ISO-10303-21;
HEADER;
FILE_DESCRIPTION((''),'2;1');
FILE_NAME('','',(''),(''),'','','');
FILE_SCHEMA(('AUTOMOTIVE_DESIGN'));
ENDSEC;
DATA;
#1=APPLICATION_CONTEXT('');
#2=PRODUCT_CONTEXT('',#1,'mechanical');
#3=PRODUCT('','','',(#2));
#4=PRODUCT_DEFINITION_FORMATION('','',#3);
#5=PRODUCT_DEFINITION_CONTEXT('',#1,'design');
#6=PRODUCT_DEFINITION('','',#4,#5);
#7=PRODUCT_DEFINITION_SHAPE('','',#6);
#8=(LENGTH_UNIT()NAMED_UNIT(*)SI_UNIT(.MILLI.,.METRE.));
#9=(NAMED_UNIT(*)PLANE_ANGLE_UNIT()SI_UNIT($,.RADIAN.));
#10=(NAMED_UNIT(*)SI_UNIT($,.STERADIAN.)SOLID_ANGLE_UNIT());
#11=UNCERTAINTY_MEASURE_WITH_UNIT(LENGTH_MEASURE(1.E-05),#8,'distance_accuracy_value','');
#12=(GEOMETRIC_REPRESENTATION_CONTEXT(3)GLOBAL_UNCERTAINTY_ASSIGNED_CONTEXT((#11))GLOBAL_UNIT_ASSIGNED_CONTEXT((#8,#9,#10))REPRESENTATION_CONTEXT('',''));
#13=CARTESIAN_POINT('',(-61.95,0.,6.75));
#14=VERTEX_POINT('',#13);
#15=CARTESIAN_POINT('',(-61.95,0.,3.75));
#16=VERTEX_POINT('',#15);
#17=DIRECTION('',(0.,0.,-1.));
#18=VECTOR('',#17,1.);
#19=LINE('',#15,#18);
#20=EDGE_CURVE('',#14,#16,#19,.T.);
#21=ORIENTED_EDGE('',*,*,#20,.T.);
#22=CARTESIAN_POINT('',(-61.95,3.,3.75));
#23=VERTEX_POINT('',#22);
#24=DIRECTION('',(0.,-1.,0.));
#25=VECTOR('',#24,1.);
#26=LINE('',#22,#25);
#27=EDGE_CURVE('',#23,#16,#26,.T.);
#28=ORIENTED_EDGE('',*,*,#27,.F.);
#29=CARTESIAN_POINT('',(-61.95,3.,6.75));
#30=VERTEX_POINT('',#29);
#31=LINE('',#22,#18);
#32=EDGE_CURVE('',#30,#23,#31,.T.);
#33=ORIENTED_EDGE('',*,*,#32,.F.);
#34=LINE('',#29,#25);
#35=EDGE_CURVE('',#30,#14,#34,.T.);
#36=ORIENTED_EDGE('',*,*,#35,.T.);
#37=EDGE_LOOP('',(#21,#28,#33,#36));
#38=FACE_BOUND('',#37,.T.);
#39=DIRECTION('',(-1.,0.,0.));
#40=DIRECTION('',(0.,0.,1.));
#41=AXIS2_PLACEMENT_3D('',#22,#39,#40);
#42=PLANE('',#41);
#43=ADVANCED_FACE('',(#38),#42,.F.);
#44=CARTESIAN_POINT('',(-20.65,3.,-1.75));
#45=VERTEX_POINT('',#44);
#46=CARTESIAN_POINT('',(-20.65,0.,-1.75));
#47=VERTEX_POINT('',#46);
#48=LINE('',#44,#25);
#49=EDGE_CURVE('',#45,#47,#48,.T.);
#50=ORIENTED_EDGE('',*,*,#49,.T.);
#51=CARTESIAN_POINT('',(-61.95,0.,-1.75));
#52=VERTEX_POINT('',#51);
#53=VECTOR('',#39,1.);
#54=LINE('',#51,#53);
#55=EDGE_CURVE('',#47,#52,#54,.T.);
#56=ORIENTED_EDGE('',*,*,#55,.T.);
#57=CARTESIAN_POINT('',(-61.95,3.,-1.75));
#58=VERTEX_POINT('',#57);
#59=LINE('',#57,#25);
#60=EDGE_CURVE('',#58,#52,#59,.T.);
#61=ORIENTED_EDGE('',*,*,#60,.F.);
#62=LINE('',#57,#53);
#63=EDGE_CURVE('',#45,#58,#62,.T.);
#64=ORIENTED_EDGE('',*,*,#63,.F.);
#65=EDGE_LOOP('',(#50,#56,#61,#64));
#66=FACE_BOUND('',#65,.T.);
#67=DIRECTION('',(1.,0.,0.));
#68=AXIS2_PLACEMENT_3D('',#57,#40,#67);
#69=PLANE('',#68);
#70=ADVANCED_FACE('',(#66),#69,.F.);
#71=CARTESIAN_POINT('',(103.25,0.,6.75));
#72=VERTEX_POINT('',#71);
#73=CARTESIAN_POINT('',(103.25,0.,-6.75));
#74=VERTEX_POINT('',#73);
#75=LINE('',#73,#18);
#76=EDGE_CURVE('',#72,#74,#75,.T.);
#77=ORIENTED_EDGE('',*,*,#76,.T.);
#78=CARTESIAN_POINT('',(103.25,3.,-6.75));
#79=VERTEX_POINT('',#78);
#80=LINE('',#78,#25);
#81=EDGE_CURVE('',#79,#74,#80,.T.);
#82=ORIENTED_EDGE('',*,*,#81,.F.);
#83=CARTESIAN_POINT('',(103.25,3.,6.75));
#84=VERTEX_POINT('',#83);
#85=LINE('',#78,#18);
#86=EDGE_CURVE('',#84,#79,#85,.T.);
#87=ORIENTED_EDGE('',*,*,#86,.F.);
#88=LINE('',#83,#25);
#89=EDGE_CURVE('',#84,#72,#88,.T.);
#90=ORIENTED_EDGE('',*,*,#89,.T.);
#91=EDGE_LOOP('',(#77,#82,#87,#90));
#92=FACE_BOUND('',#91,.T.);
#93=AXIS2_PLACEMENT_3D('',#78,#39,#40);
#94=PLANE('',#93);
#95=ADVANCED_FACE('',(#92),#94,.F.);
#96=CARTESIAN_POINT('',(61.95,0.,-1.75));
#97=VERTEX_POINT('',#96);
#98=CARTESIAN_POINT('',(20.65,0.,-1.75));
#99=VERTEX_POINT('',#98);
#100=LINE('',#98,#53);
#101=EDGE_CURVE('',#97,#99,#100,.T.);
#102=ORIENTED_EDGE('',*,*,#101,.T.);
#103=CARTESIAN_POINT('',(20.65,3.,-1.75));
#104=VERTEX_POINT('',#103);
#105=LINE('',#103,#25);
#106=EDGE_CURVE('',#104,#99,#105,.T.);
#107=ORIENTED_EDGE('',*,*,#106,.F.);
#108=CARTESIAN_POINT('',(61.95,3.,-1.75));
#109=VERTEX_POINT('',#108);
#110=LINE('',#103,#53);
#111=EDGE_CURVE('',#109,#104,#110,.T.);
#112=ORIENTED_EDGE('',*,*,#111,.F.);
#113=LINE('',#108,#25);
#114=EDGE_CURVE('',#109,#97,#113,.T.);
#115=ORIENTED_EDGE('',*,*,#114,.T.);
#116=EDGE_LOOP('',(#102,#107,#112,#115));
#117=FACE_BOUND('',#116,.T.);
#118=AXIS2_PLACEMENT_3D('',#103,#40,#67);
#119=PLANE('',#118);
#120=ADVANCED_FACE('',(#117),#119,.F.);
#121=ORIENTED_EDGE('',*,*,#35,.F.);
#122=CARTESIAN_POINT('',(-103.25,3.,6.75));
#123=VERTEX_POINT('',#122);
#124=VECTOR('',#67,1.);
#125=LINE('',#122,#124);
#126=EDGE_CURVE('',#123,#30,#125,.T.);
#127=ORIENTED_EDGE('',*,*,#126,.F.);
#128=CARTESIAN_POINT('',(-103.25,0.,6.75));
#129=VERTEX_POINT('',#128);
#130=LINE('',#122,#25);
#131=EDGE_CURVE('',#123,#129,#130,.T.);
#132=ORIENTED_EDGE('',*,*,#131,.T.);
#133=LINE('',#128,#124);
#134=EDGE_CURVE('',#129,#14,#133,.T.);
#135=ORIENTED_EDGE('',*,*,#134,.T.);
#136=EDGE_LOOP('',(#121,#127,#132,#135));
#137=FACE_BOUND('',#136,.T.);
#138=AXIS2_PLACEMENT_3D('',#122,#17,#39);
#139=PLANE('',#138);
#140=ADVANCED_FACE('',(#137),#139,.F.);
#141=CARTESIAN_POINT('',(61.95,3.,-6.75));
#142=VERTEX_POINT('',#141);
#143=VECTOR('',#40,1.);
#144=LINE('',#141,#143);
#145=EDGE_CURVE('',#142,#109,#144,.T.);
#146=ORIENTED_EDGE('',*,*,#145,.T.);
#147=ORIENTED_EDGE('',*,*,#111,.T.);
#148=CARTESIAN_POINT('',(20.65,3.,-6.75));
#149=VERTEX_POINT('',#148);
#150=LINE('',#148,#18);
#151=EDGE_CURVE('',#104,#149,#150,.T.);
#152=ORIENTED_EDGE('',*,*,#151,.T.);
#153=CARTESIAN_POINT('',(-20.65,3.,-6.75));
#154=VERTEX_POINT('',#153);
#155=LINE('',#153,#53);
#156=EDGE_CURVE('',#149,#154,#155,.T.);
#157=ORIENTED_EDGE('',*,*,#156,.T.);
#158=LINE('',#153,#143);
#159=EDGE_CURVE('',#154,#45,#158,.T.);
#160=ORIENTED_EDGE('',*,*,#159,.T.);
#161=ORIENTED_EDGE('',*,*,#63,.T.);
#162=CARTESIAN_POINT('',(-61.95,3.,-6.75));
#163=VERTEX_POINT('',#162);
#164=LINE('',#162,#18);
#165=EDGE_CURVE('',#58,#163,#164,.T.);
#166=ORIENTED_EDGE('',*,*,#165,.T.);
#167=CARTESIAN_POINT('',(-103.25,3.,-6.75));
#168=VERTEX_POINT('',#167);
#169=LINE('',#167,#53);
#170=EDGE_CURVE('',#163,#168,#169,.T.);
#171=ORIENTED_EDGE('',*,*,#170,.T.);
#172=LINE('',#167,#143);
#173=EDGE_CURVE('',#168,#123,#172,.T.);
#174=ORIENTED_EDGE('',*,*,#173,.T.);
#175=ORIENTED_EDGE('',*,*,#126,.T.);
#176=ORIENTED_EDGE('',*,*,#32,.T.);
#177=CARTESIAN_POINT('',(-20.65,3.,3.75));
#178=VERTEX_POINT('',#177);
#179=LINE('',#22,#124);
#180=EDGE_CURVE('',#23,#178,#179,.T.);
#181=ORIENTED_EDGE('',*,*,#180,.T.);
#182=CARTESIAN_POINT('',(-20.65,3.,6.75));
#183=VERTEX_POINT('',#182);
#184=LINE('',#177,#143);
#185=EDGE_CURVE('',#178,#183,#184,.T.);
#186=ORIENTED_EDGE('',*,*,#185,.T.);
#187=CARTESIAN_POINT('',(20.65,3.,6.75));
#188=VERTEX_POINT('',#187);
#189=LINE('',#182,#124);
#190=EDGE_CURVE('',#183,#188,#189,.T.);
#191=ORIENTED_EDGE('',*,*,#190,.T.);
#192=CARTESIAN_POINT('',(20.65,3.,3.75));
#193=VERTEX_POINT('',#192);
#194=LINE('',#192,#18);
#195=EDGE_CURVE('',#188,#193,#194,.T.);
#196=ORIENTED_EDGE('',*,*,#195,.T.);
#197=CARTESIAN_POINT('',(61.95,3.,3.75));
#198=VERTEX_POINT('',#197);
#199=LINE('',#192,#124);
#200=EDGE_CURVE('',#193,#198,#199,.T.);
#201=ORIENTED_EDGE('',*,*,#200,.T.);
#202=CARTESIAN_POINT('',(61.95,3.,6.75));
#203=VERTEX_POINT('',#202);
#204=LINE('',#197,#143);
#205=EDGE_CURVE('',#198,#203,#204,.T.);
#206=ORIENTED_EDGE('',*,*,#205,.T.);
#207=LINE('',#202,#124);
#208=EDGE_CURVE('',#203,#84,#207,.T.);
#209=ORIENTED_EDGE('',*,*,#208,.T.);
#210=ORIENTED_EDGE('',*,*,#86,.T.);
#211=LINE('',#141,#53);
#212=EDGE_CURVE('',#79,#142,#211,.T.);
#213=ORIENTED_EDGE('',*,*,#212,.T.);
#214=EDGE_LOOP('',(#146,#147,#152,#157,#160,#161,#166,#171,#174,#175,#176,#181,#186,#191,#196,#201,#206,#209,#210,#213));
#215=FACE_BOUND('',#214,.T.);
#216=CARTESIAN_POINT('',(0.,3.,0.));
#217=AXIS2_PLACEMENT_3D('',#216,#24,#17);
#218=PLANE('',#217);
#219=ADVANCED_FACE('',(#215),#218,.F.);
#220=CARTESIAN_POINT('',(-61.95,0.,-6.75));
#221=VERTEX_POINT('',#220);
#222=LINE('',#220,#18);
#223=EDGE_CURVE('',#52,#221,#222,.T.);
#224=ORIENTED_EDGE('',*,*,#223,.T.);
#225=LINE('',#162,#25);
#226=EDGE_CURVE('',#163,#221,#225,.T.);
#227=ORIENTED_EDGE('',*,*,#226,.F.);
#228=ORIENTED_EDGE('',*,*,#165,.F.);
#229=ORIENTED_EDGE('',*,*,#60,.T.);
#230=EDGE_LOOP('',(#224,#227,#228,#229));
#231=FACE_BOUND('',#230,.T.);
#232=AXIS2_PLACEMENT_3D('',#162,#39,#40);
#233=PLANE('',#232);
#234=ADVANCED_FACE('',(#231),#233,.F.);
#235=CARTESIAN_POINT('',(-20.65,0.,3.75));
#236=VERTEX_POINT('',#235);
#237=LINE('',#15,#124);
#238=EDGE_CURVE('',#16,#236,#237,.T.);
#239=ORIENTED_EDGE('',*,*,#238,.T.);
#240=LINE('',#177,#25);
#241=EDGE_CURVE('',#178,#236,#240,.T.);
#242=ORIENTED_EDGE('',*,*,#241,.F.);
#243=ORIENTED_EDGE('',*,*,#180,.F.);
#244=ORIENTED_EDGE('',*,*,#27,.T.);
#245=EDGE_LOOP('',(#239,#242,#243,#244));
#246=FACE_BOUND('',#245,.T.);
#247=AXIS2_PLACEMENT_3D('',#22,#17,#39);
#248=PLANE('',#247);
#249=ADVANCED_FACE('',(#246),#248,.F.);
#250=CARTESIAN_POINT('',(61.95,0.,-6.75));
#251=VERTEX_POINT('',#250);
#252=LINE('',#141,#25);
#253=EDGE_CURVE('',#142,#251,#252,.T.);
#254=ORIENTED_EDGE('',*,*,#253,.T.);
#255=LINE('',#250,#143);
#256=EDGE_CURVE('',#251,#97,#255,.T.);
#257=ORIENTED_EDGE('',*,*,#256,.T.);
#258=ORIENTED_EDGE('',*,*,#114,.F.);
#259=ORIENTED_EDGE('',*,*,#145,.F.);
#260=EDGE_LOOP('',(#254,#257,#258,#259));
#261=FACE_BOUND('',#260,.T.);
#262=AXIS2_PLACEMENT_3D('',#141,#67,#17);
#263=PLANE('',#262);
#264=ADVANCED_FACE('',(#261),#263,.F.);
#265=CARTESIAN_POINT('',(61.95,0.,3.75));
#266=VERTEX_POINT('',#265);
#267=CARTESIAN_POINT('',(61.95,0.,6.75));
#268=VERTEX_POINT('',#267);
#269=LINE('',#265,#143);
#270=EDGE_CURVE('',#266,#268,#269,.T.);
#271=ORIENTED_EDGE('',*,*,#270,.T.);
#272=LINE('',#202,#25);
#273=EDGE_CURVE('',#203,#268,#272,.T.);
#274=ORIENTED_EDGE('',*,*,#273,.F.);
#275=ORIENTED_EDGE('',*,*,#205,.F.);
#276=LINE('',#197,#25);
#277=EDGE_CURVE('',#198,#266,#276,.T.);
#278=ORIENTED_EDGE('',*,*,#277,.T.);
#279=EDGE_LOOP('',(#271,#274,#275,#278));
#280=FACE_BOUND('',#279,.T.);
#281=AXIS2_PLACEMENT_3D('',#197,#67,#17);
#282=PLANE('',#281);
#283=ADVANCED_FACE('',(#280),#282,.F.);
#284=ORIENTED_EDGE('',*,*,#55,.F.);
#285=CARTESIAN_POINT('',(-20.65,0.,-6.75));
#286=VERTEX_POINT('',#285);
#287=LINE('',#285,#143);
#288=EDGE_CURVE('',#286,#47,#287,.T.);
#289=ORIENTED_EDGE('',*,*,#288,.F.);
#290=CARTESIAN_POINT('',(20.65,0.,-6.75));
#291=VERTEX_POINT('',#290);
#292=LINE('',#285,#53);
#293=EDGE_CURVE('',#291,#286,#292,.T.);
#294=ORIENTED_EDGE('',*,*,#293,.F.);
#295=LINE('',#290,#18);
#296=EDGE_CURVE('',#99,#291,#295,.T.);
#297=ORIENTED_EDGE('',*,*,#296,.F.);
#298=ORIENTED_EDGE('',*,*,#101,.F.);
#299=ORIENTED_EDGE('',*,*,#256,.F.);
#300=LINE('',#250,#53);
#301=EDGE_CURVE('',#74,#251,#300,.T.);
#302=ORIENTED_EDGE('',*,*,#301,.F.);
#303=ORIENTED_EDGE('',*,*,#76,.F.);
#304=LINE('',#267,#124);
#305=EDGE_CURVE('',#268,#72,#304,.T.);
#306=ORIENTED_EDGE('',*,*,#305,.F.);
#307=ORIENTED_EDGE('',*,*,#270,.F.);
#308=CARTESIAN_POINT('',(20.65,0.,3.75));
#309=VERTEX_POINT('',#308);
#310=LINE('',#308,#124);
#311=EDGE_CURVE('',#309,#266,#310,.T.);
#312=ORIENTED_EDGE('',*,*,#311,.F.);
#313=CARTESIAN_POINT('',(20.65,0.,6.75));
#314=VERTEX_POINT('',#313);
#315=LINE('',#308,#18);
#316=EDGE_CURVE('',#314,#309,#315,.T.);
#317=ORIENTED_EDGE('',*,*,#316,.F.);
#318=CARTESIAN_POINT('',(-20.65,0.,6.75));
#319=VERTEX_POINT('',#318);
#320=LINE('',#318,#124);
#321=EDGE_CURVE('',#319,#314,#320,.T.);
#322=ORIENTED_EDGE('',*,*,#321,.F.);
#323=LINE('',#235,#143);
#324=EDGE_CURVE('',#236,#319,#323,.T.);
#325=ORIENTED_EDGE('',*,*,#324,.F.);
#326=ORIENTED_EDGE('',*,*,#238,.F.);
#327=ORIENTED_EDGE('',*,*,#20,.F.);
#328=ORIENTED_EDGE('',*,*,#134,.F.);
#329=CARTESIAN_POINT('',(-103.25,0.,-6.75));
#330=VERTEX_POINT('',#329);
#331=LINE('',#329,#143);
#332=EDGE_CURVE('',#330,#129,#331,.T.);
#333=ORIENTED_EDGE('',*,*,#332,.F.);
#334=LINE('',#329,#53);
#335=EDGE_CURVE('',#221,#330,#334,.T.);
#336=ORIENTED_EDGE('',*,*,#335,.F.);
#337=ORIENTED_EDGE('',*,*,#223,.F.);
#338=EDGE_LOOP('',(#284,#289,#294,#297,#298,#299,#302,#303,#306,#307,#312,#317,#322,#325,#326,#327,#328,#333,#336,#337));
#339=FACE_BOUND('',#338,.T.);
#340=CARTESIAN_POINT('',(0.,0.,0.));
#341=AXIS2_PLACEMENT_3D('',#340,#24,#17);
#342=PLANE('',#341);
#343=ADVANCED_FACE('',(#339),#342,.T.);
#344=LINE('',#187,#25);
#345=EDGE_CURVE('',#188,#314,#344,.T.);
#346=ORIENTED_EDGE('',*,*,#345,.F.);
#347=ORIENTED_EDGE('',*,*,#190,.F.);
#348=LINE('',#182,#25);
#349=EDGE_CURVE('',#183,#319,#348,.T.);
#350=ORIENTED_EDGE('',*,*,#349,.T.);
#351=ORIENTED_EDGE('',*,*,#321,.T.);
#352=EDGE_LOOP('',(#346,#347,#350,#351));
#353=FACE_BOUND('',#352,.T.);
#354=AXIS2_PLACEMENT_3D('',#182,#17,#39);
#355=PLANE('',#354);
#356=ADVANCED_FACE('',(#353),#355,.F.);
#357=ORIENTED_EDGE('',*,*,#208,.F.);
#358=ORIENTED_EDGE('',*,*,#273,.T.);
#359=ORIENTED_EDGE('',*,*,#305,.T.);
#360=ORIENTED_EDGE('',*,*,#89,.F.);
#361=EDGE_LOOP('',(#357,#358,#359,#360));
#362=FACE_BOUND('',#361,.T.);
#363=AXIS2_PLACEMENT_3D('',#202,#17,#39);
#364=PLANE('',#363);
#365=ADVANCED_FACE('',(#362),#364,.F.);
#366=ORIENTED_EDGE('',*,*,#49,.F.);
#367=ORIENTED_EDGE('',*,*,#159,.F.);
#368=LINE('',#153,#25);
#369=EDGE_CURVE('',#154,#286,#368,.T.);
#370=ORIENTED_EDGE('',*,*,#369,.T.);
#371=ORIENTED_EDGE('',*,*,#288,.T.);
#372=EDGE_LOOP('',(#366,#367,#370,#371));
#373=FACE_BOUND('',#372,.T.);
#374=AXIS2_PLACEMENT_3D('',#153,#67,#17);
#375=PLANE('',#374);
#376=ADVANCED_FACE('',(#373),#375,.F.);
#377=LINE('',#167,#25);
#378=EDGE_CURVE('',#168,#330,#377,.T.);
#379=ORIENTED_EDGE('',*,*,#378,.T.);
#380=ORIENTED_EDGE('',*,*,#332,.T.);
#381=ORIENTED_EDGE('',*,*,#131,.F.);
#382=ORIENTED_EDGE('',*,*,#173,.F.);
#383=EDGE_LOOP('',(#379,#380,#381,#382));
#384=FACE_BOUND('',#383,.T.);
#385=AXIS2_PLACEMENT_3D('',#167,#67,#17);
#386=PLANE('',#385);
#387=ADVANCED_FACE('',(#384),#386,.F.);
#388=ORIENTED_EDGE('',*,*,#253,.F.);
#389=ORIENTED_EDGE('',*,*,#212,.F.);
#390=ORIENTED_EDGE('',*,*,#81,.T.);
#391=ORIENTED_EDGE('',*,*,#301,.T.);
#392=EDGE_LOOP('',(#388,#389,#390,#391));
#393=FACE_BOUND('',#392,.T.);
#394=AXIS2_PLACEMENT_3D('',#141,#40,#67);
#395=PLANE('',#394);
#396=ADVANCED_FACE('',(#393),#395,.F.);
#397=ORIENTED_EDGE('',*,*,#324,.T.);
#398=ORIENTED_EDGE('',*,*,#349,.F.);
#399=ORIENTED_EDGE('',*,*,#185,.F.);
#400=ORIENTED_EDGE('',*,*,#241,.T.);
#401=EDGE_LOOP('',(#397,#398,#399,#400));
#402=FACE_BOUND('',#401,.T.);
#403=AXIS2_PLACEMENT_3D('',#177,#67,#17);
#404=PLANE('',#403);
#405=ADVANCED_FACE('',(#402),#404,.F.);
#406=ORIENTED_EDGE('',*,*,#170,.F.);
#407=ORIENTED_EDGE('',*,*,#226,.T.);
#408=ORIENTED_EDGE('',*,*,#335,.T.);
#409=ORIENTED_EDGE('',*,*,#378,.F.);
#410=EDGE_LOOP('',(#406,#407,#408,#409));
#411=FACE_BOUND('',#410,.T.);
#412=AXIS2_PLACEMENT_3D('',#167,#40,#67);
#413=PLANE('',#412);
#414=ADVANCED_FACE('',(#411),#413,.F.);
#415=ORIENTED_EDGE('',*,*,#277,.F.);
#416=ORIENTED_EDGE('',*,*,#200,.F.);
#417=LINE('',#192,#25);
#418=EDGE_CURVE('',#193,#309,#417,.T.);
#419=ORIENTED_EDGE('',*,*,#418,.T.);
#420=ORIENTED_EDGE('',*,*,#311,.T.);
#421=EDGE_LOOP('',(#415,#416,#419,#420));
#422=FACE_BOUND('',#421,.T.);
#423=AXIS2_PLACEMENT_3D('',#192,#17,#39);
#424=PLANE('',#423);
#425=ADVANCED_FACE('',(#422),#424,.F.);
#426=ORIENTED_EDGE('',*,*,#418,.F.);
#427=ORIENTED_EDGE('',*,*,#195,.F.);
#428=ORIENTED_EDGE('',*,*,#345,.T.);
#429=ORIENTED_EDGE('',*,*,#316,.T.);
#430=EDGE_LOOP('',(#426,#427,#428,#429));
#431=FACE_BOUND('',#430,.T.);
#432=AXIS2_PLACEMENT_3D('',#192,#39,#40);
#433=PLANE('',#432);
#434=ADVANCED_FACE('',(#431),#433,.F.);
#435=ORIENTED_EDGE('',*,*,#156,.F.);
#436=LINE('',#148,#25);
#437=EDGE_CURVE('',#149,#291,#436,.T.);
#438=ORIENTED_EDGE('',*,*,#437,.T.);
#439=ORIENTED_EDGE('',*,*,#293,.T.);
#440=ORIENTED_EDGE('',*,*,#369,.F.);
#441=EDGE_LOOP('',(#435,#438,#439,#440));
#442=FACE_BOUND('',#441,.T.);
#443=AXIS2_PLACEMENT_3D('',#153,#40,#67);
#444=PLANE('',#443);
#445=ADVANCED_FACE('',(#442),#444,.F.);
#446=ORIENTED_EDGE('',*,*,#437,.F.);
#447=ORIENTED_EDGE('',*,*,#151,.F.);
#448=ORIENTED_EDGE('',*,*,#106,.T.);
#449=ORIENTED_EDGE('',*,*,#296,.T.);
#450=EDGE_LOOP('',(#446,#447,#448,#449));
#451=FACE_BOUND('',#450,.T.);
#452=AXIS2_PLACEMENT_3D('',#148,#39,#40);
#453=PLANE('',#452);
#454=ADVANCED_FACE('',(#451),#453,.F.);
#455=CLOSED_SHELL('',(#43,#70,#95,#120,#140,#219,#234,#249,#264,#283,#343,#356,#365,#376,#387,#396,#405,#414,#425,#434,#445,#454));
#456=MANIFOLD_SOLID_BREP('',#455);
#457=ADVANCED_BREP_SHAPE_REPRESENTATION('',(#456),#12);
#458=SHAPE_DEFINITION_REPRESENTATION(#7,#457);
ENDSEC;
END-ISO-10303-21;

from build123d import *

# Parameters (mm, degrees)
BOSS_EXTRUDE1_DEPTH = 3


with BuildPart() as part:
    # Sketch1 → Boss-Extrude1 (new body)
    with BuildSketch(Plane(origin=(0, 0, 0), x_dir=(1, 0, 0), z_dir=(0, 1, 0))):
        Polygon((-103.25, 6.75), (-61.95, 6.75), (-61.95, 1.75), (-20.65, 1.75), (-20.65, 6.75), (20.65, 6.75), (20.65, 1.75), (61.95, 1.75), (61.95, 6.75), (103.25, 6.75), (103.25, -6.75), (61.95, -6.75), (61.95, -3.75), (20.65, -3.75), (20.65, -6.75), (-20.65, -6.75), (-20.65, -3.75), (-61.95, -3.75), (-61.95, -6.75), (-103.25, -6.75), align=None)
    extrude(amount=BOSS_EXTRUDE1_DEPTH)


solid = part.part
